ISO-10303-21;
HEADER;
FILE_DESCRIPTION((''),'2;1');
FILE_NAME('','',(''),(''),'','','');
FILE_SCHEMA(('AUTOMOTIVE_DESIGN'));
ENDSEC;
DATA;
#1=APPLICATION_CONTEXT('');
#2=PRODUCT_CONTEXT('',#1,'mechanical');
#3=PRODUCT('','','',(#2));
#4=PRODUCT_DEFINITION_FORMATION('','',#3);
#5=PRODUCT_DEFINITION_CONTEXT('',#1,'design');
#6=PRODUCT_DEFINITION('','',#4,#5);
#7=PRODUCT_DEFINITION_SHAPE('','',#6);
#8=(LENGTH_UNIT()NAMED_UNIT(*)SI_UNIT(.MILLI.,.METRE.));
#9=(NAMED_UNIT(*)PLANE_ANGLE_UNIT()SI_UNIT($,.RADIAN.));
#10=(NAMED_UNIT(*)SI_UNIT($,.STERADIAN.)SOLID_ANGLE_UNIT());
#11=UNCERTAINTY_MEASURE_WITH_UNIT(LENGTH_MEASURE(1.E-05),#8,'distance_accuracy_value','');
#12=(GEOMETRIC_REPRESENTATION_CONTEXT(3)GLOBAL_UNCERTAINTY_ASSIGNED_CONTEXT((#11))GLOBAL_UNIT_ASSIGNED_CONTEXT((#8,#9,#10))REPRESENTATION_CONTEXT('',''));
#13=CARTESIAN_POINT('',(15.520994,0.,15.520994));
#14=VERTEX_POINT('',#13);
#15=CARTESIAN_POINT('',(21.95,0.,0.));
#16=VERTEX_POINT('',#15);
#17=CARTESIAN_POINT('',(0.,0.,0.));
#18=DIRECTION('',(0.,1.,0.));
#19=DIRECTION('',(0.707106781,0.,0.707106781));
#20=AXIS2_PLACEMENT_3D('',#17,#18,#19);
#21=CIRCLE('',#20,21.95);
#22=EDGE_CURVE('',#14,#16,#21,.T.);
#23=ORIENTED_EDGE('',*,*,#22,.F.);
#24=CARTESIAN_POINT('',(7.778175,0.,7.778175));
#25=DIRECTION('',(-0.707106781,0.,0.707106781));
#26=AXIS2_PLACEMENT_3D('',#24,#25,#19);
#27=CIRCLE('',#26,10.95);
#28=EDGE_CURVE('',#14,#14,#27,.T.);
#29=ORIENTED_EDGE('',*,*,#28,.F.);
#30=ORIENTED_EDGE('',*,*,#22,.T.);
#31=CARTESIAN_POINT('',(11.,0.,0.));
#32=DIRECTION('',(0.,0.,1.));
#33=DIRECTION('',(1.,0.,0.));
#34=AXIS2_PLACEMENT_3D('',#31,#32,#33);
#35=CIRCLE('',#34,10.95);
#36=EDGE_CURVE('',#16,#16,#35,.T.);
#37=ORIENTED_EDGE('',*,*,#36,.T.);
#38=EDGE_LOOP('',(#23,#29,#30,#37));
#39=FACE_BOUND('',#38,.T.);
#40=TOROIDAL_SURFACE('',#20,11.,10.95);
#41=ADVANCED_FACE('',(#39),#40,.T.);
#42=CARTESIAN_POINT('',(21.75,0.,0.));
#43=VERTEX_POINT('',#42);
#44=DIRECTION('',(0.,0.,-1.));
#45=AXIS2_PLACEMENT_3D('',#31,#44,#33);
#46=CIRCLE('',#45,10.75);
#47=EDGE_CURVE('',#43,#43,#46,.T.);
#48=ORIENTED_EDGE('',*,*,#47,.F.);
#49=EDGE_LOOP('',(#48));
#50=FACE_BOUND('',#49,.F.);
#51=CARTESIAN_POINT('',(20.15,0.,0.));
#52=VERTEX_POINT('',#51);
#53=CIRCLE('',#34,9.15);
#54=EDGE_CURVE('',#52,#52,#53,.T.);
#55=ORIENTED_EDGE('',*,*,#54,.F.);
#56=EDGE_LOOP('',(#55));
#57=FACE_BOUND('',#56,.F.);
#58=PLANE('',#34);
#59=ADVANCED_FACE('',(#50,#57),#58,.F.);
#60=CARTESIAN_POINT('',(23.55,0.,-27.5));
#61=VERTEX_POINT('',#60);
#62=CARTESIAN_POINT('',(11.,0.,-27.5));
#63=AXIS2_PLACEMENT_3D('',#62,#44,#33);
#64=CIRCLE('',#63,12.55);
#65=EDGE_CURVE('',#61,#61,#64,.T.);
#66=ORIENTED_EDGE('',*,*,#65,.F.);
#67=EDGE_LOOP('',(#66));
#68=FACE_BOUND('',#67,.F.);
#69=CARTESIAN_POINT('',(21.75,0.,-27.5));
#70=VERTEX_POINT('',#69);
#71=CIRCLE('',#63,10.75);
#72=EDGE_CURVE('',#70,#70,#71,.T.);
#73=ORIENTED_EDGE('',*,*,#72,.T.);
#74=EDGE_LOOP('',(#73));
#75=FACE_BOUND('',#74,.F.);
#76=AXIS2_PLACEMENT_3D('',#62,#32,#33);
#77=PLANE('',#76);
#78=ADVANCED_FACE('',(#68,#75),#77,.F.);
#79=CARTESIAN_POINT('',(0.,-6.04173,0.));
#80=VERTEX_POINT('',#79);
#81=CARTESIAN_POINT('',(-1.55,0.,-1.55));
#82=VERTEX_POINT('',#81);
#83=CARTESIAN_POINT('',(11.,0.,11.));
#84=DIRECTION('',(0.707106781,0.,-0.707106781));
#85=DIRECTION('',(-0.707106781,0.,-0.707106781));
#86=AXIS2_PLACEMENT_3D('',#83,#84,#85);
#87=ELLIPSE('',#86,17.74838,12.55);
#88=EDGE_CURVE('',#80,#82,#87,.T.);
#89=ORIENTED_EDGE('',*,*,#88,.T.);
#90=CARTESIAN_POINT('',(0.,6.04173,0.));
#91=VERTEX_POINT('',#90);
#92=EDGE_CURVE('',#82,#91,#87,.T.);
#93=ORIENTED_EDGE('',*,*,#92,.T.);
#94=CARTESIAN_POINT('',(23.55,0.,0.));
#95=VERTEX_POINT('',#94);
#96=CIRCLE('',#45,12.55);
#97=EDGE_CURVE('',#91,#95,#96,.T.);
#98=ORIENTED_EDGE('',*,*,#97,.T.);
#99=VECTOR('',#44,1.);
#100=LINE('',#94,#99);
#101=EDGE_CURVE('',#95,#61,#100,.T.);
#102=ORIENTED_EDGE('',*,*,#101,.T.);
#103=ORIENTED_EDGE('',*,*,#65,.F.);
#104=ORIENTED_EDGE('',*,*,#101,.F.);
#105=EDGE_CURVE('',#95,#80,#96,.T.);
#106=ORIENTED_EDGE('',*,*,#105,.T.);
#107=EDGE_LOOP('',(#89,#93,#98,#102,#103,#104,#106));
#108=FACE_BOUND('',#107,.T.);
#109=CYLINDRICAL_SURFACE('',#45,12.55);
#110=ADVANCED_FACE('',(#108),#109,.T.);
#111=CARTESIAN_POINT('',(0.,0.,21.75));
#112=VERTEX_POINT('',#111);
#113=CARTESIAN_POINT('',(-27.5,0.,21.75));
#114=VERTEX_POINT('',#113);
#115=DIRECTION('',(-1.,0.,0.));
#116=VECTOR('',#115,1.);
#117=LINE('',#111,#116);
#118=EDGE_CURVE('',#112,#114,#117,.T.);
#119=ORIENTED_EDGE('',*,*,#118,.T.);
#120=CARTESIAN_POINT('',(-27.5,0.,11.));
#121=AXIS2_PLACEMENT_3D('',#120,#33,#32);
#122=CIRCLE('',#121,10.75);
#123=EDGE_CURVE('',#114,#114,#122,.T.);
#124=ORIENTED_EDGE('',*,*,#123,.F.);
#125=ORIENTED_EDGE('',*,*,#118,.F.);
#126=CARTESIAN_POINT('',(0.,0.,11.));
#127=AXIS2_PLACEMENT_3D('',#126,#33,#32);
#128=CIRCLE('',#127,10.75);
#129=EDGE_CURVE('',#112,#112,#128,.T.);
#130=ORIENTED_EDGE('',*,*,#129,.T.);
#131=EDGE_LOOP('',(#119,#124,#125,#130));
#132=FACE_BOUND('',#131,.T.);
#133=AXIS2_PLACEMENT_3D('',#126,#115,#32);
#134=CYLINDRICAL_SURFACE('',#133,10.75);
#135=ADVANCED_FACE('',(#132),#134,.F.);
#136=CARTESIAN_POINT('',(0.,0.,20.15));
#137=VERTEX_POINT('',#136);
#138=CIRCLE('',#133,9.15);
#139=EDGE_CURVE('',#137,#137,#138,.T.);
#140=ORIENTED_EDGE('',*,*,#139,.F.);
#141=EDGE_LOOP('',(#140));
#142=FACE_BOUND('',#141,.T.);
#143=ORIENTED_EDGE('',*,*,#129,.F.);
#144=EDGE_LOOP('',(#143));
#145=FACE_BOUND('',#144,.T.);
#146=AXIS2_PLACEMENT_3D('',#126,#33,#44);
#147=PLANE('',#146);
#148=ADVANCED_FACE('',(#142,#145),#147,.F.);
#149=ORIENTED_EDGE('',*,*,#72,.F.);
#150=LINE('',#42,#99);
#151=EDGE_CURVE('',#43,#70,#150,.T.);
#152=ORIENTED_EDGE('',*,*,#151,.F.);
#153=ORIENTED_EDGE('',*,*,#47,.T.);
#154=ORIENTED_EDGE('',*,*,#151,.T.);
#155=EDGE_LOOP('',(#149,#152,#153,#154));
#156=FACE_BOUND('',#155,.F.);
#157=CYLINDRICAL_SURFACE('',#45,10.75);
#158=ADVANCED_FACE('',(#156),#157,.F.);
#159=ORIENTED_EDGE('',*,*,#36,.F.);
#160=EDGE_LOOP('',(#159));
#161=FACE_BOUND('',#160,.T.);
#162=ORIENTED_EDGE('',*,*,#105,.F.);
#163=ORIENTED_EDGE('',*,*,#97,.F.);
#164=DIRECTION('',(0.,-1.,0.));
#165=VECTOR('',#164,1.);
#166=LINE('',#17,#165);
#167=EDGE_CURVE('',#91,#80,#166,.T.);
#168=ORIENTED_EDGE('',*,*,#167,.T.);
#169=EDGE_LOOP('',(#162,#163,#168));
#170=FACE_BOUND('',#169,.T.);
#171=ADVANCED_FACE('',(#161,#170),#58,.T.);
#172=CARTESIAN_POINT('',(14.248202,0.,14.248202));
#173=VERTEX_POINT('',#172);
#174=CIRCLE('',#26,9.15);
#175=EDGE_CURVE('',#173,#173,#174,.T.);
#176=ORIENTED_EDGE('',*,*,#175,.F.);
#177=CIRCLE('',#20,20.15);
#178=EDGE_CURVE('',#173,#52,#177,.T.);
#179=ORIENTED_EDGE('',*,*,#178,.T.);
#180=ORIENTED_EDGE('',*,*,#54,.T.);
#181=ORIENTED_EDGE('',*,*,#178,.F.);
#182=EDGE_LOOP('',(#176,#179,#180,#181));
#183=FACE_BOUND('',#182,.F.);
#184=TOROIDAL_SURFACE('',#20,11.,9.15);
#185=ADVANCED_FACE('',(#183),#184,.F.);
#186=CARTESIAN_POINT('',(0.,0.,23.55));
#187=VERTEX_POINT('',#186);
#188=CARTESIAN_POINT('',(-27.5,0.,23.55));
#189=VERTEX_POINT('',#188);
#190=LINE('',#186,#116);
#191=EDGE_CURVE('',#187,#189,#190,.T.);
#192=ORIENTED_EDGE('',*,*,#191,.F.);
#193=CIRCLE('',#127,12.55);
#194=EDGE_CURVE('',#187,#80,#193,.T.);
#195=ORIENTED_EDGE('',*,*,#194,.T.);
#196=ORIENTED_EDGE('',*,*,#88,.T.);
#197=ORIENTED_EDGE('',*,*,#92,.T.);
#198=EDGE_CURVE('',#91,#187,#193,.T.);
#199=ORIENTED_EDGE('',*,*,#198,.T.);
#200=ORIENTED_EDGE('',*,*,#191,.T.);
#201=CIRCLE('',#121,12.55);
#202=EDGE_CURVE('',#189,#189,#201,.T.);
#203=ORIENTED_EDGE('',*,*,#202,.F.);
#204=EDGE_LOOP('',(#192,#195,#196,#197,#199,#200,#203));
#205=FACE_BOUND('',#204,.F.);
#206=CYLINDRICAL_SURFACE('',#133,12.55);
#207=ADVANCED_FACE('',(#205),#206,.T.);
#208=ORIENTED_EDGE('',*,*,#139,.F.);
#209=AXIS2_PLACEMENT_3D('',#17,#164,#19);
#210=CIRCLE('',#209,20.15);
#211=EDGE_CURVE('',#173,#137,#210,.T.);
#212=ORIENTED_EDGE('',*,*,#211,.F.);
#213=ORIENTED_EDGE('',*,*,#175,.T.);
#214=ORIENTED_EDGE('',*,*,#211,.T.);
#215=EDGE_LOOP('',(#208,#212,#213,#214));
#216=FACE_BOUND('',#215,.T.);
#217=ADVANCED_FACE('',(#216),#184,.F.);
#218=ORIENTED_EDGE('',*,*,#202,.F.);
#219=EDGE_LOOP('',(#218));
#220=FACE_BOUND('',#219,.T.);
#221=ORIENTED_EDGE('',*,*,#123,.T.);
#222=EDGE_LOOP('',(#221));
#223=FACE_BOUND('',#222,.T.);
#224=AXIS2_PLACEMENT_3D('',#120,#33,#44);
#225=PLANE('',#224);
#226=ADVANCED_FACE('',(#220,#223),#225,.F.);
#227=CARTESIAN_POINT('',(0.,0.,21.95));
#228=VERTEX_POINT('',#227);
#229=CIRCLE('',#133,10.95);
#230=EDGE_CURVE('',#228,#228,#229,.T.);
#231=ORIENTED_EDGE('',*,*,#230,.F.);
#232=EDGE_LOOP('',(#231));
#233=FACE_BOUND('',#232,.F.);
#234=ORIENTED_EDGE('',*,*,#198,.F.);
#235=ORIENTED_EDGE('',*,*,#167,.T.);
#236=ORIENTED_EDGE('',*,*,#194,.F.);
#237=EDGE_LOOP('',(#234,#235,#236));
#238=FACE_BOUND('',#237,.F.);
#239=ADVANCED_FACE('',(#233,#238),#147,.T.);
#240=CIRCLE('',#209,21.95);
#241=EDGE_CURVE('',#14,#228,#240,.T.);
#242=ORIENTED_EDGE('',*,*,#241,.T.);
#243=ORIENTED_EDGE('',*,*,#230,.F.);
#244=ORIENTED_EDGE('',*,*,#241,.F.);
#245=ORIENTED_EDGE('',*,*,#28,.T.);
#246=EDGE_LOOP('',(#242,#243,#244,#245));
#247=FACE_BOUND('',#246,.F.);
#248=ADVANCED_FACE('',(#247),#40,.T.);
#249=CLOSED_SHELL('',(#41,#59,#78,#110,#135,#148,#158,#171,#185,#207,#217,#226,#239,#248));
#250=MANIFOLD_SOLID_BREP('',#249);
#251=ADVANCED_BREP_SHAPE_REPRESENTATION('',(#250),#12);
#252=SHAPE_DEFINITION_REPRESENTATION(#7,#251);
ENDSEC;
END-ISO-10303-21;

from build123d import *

# Parameters (mm, degrees)
F1_R   = 10.95
F1_R_2 = 10.75
F1_R_3 = 9.15
F1_R_4 = 12.55


with BuildPart() as f2:
    # F2: sweep along a path in F0
    with BuildLine(Plane.XZ) as f2_path:
        ThreePointArc((7.7781745931, 7.7781745931), (10.1626748576, 4.209517756), (11, 0))
    # F1 (on Top) → F2 (sweep)
    with BuildSketch(Plane.XY):
        with Locations((11, 0)):
            Circle(F1_R)
        with Locations((11, 0)):
            Circle(F1_R_2, mode=Mode.SUBTRACT)
        with Locations((11, 0)):
            Circle(F1_R_2)
        with Locations((11, 0)):
            Circle(F1_R_3, mode=Mode.SUBTRACT)
    sweep(path=f2_path.line)

    # F3: sweep along a path in F0
    with BuildLine(Plane.XZ) as f3_path:
        Line((11, 0), (11, -27.5))
    # F1 (on Top) → F3 (sweep)
    with BuildSketch(Plane.XY):
        with Locations((11, 0)):
            Circle(F1_R_4)
        with Locations((11, 0)):
            Circle(F1_R, mode=Mode.SUBTRACT)
        with Locations((11, 0)):
            Circle(F1_R)
        with Locations((11, 0)):
            Circle(F1_R_2, mode=Mode.SUBTRACT)
    sweep(path=f3_path.line)

    # F4: F2 across face


with BuildPart() as f2_1:
    add(f2.part)
    add(f2.part.mirror(Plane(origin=(7.7781745931, 0, 7.7781745931), x_dir=(0, -1, 0), z_dir=(-0.7071067812, 0, 0.7071067812))))


solid = f2_1.part
